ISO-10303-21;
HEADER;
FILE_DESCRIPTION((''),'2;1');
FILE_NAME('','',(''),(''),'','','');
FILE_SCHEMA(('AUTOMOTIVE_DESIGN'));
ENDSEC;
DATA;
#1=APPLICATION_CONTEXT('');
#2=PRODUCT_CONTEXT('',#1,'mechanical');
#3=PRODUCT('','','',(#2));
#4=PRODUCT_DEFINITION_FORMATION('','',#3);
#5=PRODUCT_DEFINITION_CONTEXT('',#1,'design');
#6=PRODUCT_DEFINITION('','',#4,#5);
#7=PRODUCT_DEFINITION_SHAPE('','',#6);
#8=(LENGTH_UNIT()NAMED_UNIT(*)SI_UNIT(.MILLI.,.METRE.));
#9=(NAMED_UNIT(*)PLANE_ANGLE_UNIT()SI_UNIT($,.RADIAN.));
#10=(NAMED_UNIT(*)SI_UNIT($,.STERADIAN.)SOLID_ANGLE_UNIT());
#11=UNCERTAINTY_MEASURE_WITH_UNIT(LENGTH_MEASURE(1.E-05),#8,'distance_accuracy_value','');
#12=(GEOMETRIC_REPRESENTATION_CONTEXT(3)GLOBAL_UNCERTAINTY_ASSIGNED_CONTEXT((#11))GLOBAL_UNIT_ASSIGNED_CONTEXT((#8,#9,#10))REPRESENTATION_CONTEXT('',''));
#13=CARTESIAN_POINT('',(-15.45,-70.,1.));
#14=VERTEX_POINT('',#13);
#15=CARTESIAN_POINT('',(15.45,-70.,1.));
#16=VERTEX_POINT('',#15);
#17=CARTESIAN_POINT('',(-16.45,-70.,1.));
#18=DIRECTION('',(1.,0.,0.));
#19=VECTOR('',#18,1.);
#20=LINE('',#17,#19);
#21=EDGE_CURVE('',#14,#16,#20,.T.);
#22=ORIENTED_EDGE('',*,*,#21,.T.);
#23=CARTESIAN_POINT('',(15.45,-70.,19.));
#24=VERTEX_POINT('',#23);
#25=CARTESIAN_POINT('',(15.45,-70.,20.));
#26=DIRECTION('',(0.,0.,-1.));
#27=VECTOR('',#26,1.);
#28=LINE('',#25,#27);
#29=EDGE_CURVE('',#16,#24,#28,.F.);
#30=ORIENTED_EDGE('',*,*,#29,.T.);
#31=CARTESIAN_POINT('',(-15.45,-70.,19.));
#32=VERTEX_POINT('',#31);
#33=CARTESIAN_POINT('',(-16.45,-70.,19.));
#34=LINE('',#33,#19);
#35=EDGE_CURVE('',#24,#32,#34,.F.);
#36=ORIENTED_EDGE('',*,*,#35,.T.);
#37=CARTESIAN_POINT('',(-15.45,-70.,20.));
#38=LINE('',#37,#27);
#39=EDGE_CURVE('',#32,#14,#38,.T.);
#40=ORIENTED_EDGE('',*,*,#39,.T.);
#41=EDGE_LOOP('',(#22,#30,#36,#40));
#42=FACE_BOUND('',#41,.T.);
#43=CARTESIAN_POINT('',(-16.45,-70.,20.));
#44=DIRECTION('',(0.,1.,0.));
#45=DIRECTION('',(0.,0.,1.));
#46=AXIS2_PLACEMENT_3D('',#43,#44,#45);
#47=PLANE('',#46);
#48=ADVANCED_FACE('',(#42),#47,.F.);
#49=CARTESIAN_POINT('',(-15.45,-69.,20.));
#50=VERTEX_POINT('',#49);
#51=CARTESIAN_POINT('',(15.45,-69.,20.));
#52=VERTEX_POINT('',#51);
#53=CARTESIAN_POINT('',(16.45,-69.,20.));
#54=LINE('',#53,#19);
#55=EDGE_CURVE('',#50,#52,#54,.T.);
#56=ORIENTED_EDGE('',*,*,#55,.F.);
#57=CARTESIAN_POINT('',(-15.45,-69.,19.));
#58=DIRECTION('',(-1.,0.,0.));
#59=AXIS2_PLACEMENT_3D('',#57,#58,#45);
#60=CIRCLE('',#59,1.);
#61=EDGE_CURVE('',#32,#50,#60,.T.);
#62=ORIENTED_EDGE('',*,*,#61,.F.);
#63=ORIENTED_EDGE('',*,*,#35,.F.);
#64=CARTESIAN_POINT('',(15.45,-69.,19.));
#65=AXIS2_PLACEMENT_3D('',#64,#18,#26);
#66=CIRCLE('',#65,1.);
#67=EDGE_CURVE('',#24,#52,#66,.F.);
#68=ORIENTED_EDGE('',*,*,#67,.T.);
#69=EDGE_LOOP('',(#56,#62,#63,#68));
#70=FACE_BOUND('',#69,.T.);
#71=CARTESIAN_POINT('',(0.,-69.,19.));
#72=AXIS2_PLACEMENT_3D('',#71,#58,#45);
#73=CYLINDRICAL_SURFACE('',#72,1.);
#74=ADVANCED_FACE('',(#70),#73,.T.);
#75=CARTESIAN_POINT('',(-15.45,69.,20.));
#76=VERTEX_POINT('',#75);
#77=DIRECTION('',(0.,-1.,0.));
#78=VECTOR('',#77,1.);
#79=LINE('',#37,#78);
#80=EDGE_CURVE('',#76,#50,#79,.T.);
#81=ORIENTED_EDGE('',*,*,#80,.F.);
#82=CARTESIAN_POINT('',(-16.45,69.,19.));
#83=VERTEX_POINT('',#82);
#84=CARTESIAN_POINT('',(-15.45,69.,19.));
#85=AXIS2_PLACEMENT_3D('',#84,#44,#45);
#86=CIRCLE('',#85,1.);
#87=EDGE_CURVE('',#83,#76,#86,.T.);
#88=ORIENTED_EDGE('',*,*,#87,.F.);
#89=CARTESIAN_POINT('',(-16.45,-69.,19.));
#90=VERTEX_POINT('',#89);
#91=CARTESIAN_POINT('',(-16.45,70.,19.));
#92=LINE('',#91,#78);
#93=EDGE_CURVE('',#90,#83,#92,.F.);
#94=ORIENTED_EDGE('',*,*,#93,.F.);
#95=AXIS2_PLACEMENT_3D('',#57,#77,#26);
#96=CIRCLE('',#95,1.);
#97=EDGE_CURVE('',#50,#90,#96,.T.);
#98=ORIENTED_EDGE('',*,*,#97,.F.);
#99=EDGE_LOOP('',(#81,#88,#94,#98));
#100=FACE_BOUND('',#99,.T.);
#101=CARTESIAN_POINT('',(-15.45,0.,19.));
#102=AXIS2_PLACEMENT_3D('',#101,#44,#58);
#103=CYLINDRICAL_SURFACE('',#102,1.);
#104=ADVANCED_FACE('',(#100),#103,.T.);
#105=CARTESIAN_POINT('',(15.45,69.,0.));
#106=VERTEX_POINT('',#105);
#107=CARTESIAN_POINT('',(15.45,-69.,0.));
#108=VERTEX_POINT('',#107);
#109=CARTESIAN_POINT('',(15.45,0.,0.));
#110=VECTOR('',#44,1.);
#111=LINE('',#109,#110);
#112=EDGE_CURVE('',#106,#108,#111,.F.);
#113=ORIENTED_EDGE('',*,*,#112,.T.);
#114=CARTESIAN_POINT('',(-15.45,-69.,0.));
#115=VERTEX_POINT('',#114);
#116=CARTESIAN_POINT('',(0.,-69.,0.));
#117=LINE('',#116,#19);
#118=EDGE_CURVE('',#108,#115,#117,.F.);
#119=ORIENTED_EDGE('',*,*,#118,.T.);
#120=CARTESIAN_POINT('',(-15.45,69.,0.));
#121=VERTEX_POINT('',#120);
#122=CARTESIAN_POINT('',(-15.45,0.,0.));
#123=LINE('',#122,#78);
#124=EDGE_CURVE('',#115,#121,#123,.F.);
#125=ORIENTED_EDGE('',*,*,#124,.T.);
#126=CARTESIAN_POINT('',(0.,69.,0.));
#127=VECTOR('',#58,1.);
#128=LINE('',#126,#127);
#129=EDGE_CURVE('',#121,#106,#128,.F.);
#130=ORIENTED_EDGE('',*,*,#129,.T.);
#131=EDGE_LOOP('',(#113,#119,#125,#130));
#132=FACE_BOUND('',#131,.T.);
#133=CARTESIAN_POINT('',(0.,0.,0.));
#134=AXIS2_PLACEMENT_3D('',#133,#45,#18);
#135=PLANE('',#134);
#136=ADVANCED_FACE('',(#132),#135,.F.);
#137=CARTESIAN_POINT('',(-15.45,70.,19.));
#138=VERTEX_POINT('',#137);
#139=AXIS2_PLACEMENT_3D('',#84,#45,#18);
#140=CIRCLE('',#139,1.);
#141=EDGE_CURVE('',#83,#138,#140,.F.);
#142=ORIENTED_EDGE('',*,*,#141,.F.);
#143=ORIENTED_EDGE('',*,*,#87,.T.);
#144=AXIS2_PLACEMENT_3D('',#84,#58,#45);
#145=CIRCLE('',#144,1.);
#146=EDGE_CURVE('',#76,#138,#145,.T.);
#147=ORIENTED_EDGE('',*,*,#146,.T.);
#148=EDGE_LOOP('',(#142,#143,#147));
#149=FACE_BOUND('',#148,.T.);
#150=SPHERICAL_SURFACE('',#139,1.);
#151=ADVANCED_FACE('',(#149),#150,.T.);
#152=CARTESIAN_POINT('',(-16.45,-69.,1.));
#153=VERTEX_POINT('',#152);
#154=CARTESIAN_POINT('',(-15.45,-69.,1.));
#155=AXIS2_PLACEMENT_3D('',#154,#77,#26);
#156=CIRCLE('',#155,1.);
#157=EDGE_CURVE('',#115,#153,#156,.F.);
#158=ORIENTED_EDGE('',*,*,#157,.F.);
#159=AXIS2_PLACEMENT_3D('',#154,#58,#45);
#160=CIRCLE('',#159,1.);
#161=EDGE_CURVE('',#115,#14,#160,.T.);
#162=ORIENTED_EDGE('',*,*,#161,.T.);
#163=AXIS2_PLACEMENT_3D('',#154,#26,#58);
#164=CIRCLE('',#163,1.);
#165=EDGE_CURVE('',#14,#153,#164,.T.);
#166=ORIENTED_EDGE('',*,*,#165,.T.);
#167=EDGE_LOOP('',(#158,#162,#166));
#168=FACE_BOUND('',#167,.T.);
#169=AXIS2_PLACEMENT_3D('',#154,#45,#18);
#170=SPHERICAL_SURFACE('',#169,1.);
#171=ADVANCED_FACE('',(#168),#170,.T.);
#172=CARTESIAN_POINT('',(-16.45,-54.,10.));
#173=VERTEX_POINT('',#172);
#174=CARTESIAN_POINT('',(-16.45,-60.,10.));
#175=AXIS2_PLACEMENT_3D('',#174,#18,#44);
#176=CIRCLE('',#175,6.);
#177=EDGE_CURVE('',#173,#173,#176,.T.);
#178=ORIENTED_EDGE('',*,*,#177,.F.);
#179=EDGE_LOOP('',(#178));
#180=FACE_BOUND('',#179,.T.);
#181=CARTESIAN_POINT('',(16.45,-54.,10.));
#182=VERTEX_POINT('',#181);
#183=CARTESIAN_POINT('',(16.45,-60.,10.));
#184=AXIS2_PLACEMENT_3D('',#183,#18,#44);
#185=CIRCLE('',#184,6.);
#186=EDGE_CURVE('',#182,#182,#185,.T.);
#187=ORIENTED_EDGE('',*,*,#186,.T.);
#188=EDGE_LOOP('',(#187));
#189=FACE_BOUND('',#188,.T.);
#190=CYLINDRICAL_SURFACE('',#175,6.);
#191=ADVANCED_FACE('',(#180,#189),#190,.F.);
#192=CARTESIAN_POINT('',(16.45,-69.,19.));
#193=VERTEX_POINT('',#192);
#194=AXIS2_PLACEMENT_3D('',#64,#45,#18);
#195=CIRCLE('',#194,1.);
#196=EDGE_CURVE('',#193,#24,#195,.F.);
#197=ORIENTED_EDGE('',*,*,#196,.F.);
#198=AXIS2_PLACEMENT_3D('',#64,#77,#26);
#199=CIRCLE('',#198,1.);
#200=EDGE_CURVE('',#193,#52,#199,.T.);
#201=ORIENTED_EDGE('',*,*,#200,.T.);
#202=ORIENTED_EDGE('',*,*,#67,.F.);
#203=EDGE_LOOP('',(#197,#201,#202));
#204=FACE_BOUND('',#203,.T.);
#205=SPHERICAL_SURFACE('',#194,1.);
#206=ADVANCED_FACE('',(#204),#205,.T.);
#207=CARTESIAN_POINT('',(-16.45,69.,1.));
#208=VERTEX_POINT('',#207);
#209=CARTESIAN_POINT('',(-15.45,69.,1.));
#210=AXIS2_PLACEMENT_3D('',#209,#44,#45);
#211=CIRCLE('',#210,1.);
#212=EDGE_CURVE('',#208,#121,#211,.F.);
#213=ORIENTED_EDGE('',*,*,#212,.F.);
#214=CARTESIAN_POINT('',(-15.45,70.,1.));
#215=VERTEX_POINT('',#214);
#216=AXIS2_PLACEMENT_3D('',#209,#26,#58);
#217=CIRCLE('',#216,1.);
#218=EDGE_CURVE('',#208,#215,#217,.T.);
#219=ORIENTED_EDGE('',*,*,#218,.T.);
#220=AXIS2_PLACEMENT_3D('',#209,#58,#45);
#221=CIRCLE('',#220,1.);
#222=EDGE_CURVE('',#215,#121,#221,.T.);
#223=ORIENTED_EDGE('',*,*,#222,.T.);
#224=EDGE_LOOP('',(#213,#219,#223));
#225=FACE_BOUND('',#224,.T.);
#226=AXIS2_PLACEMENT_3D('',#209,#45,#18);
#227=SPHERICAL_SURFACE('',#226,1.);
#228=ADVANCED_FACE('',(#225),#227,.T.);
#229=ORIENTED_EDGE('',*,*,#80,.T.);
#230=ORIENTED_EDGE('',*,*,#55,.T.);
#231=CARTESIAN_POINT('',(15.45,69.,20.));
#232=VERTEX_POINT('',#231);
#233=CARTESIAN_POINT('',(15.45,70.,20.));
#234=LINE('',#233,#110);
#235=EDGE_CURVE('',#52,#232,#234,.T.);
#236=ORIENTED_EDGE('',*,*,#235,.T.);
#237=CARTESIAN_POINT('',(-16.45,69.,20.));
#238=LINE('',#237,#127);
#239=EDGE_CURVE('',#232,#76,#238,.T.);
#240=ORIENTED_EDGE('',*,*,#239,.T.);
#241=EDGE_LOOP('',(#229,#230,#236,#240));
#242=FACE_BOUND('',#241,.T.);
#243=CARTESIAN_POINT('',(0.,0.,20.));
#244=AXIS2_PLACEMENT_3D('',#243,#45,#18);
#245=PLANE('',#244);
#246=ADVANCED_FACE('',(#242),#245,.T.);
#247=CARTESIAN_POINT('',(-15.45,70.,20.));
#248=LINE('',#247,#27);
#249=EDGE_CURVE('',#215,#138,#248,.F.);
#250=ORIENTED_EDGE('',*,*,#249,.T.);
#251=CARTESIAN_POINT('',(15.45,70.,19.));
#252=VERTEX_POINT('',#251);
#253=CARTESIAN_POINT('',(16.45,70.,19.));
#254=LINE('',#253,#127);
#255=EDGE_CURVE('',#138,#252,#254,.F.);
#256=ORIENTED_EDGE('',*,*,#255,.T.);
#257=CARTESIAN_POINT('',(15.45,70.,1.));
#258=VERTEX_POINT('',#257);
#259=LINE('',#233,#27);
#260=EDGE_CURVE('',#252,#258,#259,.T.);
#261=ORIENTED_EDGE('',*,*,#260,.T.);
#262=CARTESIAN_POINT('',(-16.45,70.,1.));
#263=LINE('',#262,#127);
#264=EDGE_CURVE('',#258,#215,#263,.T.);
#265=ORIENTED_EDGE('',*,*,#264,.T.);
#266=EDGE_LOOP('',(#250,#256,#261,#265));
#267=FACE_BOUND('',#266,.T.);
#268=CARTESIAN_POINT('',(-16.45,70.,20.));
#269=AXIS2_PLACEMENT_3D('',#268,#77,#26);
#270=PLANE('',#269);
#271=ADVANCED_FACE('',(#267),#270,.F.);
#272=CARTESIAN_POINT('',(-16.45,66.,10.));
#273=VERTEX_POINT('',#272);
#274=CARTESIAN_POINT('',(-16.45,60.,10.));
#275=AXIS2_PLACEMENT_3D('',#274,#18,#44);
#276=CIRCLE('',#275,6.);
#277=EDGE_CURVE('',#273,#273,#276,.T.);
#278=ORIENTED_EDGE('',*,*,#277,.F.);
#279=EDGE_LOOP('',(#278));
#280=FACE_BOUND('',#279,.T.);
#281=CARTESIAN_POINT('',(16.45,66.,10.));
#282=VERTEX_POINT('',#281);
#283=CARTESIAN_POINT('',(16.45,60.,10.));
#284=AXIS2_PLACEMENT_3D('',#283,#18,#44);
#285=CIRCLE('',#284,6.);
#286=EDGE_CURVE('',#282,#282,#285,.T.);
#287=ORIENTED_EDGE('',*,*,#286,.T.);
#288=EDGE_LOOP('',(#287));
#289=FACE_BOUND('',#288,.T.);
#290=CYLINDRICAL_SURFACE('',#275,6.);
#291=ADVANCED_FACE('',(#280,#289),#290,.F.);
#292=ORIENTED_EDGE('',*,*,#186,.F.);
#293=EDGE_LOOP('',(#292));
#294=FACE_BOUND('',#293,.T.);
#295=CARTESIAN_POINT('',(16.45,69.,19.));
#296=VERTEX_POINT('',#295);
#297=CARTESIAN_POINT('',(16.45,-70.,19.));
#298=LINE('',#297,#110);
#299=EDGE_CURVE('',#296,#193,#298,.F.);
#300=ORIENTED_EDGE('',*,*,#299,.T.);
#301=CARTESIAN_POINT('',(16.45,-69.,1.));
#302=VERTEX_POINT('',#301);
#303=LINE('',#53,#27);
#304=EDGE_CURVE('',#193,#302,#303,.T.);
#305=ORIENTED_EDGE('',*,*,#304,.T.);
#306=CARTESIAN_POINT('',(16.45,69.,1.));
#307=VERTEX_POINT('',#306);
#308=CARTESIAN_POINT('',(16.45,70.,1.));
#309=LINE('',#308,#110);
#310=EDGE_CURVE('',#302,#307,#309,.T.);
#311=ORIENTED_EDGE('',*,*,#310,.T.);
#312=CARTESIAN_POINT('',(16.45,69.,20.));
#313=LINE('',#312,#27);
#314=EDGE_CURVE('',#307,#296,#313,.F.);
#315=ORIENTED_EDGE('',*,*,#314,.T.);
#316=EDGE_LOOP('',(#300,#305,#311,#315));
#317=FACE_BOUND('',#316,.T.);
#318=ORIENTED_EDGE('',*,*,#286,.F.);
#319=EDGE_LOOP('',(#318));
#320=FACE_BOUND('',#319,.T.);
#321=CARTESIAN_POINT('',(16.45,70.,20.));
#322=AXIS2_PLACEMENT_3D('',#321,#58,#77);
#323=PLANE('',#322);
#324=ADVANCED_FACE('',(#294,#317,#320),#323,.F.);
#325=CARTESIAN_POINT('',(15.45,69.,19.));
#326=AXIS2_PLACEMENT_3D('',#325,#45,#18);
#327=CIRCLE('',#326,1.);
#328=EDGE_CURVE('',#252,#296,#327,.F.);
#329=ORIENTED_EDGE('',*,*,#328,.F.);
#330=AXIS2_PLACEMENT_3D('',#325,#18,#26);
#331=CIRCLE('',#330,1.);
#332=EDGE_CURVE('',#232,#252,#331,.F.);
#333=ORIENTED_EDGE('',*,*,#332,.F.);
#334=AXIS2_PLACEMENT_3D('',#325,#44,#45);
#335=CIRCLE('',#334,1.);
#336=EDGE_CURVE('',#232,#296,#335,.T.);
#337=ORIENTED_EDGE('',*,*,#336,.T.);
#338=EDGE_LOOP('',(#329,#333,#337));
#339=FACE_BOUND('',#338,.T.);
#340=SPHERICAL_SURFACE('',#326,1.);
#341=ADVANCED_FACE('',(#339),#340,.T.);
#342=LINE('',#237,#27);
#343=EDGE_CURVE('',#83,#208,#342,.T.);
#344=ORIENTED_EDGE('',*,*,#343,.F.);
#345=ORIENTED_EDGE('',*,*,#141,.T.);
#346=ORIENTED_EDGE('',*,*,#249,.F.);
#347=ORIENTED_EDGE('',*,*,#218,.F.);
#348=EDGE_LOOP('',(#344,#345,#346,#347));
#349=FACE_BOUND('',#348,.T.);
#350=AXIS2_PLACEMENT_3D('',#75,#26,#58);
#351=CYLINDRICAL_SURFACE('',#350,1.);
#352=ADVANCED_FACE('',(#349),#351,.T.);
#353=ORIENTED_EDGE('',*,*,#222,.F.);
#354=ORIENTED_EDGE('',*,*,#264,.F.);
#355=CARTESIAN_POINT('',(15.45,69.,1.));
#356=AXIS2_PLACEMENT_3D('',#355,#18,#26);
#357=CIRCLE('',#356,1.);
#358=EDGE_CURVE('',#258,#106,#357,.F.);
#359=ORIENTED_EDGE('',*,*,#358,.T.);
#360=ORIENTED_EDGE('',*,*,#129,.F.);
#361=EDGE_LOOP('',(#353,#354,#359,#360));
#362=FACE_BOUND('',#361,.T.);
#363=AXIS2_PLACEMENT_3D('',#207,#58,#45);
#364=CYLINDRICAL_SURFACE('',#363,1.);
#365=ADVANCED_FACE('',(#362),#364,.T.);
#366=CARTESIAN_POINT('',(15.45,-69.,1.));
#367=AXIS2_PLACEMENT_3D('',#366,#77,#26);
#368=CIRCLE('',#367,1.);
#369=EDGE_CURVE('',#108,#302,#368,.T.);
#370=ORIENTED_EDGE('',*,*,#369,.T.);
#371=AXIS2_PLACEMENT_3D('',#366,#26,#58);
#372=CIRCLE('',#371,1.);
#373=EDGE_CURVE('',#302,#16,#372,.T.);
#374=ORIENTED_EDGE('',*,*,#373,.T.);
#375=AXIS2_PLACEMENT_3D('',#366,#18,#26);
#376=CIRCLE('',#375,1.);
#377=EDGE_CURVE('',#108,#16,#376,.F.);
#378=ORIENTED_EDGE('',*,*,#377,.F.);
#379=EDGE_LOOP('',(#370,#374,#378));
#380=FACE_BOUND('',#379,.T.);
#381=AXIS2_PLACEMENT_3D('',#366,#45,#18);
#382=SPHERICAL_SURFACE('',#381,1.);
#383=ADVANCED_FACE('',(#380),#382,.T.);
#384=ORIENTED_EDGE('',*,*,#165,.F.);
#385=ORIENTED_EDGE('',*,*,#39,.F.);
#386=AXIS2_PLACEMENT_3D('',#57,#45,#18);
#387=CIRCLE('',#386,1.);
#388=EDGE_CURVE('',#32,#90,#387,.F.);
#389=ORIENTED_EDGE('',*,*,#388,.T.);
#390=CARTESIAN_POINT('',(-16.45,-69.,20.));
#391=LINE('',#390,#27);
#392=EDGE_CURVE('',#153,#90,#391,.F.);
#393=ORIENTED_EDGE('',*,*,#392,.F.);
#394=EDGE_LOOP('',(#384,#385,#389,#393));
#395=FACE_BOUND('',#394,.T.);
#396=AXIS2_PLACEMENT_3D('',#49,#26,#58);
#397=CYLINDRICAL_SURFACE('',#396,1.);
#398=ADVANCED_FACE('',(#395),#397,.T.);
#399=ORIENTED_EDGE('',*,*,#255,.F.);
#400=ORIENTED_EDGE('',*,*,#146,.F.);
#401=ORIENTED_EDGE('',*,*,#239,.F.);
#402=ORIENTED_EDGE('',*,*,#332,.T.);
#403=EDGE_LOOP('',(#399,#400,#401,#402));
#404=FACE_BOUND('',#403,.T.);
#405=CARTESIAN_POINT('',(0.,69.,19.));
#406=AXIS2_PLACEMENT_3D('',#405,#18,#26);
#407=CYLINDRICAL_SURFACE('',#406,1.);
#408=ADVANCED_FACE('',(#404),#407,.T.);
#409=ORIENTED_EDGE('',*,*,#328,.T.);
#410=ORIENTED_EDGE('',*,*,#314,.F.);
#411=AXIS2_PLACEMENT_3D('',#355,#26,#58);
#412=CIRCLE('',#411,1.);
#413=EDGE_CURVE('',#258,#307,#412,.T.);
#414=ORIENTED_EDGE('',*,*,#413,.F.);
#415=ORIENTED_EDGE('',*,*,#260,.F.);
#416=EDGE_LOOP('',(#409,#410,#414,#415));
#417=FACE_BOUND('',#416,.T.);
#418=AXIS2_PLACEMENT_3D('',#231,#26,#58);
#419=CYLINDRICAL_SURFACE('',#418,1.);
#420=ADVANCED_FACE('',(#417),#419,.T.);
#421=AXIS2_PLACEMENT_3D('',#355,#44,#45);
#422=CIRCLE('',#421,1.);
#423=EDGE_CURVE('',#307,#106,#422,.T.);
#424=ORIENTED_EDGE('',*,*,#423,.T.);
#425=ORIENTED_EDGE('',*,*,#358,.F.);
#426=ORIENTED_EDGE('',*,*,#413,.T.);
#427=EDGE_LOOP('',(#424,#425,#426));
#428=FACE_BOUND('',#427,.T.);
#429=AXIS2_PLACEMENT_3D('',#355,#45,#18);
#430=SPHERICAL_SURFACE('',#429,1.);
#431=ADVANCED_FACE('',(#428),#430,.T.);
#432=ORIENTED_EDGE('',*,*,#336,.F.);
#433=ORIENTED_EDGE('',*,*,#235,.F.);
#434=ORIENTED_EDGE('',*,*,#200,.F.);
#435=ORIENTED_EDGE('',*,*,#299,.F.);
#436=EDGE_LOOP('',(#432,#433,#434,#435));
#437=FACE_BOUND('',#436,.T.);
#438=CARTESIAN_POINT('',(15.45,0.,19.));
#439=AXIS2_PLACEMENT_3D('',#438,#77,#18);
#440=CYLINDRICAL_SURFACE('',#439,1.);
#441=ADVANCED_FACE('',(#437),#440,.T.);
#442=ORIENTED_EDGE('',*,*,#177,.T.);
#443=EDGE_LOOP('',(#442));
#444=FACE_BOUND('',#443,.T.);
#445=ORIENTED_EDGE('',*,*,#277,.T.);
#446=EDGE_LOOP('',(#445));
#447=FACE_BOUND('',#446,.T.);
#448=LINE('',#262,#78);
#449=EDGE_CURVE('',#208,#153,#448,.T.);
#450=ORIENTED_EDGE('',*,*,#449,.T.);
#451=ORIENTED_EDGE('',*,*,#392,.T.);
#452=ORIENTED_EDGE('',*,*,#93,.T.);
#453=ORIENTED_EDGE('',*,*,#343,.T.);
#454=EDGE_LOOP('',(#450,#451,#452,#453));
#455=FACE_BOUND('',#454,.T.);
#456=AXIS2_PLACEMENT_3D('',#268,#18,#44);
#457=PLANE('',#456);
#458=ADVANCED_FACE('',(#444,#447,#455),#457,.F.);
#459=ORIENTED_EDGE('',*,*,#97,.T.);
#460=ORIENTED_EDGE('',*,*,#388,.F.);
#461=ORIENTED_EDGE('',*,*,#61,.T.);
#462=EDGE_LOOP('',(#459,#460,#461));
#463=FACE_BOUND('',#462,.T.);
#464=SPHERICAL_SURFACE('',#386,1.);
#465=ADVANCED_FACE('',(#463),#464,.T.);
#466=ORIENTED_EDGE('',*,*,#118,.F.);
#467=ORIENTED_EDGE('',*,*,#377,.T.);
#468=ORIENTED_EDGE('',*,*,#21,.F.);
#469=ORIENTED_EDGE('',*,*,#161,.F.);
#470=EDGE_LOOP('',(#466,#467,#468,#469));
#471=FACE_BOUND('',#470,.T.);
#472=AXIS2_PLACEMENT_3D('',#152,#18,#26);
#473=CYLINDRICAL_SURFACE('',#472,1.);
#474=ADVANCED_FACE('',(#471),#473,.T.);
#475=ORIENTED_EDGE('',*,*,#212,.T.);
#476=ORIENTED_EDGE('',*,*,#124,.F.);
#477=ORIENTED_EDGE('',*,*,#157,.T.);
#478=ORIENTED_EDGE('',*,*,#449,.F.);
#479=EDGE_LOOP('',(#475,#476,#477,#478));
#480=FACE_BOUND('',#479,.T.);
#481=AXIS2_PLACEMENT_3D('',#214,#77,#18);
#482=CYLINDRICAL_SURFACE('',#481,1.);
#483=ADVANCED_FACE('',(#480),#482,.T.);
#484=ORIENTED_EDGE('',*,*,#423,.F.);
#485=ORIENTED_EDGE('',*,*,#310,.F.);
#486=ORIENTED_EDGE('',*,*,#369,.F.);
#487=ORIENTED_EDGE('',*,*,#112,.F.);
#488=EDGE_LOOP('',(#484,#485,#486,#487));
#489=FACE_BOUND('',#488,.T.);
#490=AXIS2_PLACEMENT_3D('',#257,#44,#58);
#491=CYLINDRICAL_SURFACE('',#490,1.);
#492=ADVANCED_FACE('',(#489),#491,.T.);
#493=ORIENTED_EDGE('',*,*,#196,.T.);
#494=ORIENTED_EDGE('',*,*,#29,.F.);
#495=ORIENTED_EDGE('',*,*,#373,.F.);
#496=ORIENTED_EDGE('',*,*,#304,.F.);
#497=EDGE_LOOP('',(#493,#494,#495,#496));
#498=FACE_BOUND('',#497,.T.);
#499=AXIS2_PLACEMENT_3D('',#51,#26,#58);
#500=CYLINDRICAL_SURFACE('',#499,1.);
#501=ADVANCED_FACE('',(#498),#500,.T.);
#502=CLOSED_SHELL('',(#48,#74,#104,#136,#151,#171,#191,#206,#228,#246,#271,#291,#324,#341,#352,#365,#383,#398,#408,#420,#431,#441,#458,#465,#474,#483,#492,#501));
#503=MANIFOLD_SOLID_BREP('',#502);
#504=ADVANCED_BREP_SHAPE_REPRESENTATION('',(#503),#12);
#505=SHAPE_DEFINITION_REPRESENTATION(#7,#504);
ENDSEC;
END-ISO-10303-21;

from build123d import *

# Parameters (mm, degrees)
SKETCH1_W           = 32.9
SKETCH1_H           = 140
BOSS_EXTRUDE1_DEPTH = 20
SKETCH3_R           = 6
CUT_EXTRUDE1_DEPTH  = 33.9
FILLET1_R           = 1


with BuildPart() as part:
    # Sketch1 → Boss-Extrude1 (new body)
    with BuildSketch(Plane.XY):
        Rectangle(SKETCH1_W, SKETCH1_H)
    extrude(amount=BOSS_EXTRUDE1_DEPTH)

    # Sketch3 → Cut-Extrude1 (cut, through all)
    with BuildSketch(Plane(origin=(16.45, 0, 0), x_dir=(0, 0, -1), z_dir=(1, 0, 0))):
        with Locations((-10, 60)):
            Circle(SKETCH3_R)
        with Locations((-10, -60)):
            Circle(SKETCH3_R)
    extrude(amount=-CUT_EXTRUDE1_DEPTH, mode=Mode.SUBTRACT)

    # Fillet1
    fillet1_edges = [part.edges().sort_by_distance(p)[0] for p in [
        (-16.45, 0, 20),
        (0, -70, 20),
        (16.45, 0, 20),
        (0, -70, 0),
        (-16.45, 0, 0),
        (0, 70, 0),
        (16.45, 0, 0),
        (0, 70, 20),
        (16.45, -70, 10),
        (-16.45, -70, 10),
        (-16.45, 70, 10),
        (16.45, 70, 10),
    ]]
    fillet(fillet1_edges, radius=FILLET1_R)


solid = part.part
